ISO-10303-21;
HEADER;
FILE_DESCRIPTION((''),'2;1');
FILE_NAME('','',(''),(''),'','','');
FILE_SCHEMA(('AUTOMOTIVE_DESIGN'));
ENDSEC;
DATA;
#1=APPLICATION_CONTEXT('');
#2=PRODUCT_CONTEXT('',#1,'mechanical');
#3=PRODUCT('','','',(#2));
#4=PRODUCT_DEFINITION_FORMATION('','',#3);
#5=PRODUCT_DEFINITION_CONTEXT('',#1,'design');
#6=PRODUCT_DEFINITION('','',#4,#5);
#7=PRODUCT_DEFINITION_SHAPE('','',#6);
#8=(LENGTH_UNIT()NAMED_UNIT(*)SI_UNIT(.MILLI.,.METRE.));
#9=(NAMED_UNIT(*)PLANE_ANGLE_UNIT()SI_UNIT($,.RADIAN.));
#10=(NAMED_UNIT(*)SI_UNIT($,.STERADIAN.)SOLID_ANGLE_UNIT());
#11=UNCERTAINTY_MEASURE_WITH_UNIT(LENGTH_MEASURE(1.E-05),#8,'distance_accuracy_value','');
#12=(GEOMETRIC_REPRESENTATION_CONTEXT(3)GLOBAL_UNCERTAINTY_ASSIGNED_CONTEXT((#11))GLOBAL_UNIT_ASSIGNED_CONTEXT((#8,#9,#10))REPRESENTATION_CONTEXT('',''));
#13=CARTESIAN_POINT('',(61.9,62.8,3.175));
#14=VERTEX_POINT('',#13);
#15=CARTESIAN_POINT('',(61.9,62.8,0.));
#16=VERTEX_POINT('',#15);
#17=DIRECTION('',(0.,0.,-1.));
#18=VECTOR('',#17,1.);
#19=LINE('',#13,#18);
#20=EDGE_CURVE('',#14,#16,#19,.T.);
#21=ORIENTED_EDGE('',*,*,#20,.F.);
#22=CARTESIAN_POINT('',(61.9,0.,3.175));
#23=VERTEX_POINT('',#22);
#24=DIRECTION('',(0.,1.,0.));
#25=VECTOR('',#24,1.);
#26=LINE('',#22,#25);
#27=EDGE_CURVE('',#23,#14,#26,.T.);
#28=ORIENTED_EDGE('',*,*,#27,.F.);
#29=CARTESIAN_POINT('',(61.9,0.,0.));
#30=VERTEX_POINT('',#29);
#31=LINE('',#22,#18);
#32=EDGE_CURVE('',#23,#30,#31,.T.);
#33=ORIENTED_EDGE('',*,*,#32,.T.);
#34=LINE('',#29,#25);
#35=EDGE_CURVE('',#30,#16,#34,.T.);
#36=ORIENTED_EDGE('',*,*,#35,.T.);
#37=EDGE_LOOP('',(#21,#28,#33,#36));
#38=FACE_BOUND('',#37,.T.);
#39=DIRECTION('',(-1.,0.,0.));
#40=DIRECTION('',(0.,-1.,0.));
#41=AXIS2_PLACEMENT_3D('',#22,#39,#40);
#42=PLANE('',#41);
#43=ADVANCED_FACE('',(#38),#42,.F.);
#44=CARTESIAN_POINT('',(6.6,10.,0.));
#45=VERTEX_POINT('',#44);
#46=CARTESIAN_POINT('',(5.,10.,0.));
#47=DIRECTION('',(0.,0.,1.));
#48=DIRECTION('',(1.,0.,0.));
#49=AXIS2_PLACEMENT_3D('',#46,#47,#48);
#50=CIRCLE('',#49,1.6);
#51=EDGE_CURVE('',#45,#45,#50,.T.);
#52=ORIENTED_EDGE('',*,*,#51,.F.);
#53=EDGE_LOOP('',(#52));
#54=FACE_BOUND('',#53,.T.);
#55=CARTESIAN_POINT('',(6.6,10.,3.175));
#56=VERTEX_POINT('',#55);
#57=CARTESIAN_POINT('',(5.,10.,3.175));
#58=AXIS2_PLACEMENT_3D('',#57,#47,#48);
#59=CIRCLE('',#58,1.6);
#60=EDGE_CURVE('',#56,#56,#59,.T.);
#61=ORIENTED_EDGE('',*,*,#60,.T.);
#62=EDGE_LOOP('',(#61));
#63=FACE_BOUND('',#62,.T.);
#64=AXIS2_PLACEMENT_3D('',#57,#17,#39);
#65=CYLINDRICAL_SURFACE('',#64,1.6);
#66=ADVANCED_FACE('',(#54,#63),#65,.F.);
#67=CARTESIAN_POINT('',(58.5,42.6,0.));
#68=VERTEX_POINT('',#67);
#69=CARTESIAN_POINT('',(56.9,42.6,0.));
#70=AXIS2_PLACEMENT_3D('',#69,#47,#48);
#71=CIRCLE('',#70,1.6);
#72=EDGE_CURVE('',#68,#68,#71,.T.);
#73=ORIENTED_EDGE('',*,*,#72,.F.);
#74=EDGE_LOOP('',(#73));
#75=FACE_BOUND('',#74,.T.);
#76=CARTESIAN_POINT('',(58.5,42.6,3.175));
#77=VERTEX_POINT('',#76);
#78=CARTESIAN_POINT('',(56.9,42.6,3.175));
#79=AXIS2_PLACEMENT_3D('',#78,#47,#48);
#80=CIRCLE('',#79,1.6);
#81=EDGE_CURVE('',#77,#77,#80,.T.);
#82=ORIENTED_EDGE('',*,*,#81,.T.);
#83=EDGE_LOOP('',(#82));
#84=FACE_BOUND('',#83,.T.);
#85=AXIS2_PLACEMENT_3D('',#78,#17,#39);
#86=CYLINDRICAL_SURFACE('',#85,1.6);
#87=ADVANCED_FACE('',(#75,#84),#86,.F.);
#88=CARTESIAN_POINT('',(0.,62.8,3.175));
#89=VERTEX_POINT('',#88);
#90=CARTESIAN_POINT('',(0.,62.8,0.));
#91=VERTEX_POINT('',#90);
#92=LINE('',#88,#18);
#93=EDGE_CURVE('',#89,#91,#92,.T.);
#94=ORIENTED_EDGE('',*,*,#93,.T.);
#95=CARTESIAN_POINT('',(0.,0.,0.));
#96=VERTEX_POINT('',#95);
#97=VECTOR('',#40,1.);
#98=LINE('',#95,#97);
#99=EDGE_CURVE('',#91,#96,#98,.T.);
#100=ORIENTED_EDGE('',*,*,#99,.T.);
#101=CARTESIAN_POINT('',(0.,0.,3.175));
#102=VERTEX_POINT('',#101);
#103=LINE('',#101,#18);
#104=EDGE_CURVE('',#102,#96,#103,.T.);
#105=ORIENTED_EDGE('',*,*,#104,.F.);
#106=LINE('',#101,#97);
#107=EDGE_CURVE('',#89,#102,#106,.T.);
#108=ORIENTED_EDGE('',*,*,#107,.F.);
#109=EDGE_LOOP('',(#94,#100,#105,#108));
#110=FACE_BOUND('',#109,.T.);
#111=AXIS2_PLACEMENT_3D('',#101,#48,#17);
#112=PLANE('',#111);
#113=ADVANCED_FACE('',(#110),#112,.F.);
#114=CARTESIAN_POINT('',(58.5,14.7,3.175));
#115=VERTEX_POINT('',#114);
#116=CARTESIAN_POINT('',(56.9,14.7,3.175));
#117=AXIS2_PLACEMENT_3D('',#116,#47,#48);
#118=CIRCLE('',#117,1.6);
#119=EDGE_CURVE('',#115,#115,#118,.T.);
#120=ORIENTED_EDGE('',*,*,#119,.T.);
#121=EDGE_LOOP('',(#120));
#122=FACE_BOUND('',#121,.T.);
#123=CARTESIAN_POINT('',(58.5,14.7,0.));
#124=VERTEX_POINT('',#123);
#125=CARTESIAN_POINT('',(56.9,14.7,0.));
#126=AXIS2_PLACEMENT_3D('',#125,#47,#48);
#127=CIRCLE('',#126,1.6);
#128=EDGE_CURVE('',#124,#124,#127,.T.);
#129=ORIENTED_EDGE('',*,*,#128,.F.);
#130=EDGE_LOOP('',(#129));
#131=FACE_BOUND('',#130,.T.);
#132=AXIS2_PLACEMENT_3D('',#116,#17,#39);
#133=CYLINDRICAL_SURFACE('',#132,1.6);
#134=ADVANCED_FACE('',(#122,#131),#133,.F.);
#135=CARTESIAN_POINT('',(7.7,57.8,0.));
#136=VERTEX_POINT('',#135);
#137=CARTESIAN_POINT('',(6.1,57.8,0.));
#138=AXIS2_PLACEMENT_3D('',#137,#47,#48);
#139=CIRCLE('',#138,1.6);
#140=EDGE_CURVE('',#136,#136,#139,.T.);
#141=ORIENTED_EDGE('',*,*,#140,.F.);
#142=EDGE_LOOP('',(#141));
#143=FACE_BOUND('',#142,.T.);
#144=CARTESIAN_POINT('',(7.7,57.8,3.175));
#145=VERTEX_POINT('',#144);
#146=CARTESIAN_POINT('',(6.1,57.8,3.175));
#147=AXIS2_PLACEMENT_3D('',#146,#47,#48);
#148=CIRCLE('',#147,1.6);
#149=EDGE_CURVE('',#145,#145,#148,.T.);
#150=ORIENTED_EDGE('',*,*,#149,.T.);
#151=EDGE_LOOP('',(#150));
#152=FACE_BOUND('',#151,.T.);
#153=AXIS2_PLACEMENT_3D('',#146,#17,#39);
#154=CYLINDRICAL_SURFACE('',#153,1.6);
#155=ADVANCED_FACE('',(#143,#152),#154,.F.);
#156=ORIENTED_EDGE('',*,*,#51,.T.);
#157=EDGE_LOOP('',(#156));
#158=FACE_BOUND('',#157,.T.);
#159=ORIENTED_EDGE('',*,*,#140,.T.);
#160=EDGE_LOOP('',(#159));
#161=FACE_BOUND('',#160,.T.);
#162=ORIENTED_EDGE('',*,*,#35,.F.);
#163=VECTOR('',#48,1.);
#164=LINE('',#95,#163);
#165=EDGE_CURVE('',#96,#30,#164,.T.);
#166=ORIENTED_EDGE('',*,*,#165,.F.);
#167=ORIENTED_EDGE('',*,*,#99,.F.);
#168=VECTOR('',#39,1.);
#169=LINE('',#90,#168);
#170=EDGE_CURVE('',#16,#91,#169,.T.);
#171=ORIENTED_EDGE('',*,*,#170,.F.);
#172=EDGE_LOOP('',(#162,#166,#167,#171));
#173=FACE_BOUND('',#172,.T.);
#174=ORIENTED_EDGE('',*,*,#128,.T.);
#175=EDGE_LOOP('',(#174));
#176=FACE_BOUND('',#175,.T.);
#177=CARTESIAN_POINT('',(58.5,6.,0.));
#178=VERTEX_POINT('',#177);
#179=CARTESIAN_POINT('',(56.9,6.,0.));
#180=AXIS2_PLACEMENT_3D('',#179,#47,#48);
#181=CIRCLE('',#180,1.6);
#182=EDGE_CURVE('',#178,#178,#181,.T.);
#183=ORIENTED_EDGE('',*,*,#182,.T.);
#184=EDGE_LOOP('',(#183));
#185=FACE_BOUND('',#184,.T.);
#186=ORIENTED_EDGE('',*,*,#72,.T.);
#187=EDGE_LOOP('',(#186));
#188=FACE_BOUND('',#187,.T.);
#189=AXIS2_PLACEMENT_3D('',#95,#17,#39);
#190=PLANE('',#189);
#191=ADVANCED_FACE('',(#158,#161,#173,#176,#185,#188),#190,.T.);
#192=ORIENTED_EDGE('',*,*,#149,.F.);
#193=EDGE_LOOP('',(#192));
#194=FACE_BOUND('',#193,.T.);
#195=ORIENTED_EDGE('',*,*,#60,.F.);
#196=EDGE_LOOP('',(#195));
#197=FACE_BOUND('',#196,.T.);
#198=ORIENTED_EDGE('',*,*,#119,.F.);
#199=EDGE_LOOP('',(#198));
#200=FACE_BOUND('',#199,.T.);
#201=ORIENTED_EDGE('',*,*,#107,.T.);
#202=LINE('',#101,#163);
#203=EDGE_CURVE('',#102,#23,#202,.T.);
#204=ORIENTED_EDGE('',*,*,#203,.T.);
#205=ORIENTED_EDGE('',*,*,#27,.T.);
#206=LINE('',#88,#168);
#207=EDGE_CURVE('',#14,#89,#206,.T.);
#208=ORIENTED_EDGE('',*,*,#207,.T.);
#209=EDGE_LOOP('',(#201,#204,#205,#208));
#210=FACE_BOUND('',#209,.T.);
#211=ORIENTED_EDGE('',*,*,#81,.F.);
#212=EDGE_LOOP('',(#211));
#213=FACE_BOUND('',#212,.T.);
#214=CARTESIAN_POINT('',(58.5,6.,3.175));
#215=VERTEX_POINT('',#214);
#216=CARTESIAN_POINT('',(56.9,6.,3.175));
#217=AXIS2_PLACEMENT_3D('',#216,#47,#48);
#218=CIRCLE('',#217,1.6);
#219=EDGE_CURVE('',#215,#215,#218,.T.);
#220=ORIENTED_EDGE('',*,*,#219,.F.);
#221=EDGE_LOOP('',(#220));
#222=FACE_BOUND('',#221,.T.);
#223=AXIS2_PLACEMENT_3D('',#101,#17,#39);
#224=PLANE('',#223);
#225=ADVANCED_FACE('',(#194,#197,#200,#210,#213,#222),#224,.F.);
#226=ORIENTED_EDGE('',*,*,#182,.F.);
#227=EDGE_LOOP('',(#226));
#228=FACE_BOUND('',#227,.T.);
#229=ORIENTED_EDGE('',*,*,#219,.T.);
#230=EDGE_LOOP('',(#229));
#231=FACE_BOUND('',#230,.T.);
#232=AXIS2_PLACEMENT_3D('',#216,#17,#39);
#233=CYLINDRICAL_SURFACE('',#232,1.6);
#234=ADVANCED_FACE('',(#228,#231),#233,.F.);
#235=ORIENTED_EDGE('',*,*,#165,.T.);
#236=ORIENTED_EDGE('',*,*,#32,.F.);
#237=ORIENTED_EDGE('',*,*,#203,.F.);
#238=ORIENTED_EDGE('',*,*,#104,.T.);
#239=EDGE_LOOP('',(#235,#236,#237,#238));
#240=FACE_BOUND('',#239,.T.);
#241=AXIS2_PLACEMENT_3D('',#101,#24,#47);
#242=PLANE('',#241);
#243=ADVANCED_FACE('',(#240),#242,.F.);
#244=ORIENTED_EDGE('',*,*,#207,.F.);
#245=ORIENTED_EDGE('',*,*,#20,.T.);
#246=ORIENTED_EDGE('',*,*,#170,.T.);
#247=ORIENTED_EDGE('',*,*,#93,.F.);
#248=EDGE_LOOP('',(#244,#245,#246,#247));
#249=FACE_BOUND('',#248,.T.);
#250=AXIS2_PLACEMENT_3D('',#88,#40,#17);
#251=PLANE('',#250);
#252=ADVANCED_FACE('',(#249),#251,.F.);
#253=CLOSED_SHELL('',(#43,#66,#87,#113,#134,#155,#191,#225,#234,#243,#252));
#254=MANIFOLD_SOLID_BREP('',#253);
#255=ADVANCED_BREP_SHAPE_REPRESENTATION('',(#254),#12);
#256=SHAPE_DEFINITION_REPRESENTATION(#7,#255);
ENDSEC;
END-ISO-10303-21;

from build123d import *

# Parameters (mm, degrees)
SKETCH1_W           = 61.9
SKETCH1_H           = 62.8
SKETCH1_R           = 1.6
BOSS_EXTRUDE1_DEPTH = 3.175


with BuildPart() as part:
    # Sketch1 → Boss-Extrude1 (new body)
    with BuildSketch(Plane.XY):
        with Locations((30.95, 31.4)):
            Rectangle(SKETCH1_W, SKETCH1_H)
        with Locations((6.1, 57.8)):
            Circle(SKETCH1_R, mode=Mode.SUBTRACT)
        with Locations((5, 10)):
            Circle(SKETCH1_R, mode=Mode.SUBTRACT)
        with Locations((56.9, 42.6)):
            Circle(SKETCH1_R, mode=Mode.SUBTRACT)
        with Locations((56.9, 14.7)):
            Circle(SKETCH1_R, mode=Mode.SUBTRACT)
        with Locations((56.9, 6)):
            Circle(SKETCH1_R, mode=Mode.SUBTRACT)
    extrude(amount=BOSS_EXTRUDE1_DEPTH)


solid = part.part
